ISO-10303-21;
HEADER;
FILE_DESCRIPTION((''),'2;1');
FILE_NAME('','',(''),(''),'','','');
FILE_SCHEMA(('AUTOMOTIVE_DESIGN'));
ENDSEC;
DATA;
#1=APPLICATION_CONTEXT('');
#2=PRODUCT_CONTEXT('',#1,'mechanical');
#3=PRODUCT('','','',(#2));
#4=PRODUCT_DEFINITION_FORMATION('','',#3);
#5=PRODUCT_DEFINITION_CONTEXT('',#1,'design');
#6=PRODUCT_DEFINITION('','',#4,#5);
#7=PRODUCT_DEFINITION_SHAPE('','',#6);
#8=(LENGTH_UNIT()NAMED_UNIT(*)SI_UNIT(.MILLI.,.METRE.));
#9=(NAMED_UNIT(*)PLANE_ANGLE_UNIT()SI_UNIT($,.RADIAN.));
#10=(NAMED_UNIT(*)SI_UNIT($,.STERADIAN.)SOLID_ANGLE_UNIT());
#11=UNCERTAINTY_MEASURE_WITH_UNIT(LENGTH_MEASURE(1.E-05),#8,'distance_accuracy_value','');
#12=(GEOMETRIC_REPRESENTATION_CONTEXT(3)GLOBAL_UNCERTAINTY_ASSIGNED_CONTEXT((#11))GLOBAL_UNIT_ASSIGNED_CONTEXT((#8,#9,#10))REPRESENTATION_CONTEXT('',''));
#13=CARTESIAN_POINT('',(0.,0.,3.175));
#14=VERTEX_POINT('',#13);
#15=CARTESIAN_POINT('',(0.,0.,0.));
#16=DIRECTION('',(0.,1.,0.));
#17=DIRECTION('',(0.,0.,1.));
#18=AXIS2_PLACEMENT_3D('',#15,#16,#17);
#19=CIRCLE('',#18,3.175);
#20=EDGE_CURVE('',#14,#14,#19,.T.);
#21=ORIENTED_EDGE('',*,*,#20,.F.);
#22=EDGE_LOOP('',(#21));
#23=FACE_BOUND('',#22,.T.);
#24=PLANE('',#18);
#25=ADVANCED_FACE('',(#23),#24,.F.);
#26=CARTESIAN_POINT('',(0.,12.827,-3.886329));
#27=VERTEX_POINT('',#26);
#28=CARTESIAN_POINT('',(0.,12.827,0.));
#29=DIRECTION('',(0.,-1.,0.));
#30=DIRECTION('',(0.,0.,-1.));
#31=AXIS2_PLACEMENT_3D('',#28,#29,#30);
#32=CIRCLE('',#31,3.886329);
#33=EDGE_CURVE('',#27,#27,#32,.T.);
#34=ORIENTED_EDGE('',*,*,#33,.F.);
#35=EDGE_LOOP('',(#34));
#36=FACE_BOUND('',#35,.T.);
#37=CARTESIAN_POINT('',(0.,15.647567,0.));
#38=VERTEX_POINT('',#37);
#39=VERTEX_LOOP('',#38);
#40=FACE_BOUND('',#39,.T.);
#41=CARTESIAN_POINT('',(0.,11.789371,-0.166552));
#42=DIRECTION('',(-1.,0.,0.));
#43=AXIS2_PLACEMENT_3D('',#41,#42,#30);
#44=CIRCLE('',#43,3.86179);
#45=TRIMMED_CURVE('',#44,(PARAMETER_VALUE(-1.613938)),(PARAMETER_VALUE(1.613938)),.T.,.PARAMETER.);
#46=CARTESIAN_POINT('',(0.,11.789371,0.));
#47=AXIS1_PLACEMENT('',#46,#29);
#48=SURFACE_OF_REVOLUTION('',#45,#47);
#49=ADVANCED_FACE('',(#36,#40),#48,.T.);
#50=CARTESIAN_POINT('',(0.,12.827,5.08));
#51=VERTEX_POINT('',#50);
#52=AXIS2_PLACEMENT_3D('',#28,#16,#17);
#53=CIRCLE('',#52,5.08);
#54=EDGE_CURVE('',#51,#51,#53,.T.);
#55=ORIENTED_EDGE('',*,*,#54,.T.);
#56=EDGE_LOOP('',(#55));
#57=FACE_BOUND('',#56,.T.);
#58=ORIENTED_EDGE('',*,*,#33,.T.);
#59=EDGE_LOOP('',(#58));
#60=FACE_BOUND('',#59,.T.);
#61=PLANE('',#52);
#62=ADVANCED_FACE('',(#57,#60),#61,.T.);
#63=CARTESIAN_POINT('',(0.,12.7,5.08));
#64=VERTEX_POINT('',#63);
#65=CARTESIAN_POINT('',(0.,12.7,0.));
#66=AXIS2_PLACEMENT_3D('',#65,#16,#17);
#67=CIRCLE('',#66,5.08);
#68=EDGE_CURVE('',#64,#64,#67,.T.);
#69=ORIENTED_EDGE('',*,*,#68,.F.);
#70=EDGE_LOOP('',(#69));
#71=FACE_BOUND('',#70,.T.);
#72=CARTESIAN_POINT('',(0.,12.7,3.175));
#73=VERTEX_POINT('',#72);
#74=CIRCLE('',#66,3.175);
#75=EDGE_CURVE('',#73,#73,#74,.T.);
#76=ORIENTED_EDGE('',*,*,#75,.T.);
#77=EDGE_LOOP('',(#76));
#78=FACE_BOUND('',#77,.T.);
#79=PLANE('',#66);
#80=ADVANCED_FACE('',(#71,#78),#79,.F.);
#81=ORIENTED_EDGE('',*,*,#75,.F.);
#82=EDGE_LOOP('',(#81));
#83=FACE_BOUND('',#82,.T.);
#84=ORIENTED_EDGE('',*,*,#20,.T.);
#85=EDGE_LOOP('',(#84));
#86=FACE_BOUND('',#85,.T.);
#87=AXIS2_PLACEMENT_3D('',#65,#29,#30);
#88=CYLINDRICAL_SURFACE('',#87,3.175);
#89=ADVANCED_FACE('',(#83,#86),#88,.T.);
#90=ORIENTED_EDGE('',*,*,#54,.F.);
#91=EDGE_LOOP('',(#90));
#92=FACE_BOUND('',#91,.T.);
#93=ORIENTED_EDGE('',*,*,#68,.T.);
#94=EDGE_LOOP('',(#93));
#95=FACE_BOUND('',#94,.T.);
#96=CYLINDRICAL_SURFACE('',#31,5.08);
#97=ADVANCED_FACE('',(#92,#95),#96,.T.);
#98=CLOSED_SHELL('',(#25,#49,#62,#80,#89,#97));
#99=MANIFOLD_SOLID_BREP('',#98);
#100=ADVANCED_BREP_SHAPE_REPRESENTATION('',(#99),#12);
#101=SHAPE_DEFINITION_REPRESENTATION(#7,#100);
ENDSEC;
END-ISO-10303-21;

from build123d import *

# Parameters (mm, degrees)
SKETCH1_R           = 3.175
BOSS_EXTRUDE1_DEPTH = 12.7
SKETCH2_R           = 5.08
BOSS_EXTRUDE2_DEPTH = 0.127


with BuildPart() as part:
    # Sketch1 → Boss-Extrude1 (new body)
    with BuildSketch(Plane(origin=(0, 0, 0), x_dir=(1, 0, 0), z_dir=(0, 1, 0))):
        with Locations(Location((0, 0, 0), (0, 0, 270))):
            Circle(SKETCH1_R)
    extrude(amount=BOSS_EXTRUDE1_DEPTH)

    # Sketch2 → Boss-Extrude2 (add)
    with BuildSketch(Plane(origin=(0, 12.7, 0), x_dir=(1, 0, 0), z_dir=(0, 1, 0))):
        with Locations(Location((0, 0, 0), (0, 0, 270))):
            Circle(SKETCH2_R)
    extrude(amount=BOSS_EXTRUDE2_DEPTH)

    # Sketch3 → Revolve1 (revolve)
    with BuildSketch(Plane.XY):
        with BuildLine():
            Line((0, 12.827), (-3.886329239, 12.827))
            ThreePointArc((-3.886329239, 12.827), (-2.434866775, 14.914777268), (0, 15.647567139))
            Line((0, 15.647567139), (0, 12.827))
        make_face()
    revolve(axis=Axis((0, 12.827, 0), (0, 1, 0)))


solid = part.part
